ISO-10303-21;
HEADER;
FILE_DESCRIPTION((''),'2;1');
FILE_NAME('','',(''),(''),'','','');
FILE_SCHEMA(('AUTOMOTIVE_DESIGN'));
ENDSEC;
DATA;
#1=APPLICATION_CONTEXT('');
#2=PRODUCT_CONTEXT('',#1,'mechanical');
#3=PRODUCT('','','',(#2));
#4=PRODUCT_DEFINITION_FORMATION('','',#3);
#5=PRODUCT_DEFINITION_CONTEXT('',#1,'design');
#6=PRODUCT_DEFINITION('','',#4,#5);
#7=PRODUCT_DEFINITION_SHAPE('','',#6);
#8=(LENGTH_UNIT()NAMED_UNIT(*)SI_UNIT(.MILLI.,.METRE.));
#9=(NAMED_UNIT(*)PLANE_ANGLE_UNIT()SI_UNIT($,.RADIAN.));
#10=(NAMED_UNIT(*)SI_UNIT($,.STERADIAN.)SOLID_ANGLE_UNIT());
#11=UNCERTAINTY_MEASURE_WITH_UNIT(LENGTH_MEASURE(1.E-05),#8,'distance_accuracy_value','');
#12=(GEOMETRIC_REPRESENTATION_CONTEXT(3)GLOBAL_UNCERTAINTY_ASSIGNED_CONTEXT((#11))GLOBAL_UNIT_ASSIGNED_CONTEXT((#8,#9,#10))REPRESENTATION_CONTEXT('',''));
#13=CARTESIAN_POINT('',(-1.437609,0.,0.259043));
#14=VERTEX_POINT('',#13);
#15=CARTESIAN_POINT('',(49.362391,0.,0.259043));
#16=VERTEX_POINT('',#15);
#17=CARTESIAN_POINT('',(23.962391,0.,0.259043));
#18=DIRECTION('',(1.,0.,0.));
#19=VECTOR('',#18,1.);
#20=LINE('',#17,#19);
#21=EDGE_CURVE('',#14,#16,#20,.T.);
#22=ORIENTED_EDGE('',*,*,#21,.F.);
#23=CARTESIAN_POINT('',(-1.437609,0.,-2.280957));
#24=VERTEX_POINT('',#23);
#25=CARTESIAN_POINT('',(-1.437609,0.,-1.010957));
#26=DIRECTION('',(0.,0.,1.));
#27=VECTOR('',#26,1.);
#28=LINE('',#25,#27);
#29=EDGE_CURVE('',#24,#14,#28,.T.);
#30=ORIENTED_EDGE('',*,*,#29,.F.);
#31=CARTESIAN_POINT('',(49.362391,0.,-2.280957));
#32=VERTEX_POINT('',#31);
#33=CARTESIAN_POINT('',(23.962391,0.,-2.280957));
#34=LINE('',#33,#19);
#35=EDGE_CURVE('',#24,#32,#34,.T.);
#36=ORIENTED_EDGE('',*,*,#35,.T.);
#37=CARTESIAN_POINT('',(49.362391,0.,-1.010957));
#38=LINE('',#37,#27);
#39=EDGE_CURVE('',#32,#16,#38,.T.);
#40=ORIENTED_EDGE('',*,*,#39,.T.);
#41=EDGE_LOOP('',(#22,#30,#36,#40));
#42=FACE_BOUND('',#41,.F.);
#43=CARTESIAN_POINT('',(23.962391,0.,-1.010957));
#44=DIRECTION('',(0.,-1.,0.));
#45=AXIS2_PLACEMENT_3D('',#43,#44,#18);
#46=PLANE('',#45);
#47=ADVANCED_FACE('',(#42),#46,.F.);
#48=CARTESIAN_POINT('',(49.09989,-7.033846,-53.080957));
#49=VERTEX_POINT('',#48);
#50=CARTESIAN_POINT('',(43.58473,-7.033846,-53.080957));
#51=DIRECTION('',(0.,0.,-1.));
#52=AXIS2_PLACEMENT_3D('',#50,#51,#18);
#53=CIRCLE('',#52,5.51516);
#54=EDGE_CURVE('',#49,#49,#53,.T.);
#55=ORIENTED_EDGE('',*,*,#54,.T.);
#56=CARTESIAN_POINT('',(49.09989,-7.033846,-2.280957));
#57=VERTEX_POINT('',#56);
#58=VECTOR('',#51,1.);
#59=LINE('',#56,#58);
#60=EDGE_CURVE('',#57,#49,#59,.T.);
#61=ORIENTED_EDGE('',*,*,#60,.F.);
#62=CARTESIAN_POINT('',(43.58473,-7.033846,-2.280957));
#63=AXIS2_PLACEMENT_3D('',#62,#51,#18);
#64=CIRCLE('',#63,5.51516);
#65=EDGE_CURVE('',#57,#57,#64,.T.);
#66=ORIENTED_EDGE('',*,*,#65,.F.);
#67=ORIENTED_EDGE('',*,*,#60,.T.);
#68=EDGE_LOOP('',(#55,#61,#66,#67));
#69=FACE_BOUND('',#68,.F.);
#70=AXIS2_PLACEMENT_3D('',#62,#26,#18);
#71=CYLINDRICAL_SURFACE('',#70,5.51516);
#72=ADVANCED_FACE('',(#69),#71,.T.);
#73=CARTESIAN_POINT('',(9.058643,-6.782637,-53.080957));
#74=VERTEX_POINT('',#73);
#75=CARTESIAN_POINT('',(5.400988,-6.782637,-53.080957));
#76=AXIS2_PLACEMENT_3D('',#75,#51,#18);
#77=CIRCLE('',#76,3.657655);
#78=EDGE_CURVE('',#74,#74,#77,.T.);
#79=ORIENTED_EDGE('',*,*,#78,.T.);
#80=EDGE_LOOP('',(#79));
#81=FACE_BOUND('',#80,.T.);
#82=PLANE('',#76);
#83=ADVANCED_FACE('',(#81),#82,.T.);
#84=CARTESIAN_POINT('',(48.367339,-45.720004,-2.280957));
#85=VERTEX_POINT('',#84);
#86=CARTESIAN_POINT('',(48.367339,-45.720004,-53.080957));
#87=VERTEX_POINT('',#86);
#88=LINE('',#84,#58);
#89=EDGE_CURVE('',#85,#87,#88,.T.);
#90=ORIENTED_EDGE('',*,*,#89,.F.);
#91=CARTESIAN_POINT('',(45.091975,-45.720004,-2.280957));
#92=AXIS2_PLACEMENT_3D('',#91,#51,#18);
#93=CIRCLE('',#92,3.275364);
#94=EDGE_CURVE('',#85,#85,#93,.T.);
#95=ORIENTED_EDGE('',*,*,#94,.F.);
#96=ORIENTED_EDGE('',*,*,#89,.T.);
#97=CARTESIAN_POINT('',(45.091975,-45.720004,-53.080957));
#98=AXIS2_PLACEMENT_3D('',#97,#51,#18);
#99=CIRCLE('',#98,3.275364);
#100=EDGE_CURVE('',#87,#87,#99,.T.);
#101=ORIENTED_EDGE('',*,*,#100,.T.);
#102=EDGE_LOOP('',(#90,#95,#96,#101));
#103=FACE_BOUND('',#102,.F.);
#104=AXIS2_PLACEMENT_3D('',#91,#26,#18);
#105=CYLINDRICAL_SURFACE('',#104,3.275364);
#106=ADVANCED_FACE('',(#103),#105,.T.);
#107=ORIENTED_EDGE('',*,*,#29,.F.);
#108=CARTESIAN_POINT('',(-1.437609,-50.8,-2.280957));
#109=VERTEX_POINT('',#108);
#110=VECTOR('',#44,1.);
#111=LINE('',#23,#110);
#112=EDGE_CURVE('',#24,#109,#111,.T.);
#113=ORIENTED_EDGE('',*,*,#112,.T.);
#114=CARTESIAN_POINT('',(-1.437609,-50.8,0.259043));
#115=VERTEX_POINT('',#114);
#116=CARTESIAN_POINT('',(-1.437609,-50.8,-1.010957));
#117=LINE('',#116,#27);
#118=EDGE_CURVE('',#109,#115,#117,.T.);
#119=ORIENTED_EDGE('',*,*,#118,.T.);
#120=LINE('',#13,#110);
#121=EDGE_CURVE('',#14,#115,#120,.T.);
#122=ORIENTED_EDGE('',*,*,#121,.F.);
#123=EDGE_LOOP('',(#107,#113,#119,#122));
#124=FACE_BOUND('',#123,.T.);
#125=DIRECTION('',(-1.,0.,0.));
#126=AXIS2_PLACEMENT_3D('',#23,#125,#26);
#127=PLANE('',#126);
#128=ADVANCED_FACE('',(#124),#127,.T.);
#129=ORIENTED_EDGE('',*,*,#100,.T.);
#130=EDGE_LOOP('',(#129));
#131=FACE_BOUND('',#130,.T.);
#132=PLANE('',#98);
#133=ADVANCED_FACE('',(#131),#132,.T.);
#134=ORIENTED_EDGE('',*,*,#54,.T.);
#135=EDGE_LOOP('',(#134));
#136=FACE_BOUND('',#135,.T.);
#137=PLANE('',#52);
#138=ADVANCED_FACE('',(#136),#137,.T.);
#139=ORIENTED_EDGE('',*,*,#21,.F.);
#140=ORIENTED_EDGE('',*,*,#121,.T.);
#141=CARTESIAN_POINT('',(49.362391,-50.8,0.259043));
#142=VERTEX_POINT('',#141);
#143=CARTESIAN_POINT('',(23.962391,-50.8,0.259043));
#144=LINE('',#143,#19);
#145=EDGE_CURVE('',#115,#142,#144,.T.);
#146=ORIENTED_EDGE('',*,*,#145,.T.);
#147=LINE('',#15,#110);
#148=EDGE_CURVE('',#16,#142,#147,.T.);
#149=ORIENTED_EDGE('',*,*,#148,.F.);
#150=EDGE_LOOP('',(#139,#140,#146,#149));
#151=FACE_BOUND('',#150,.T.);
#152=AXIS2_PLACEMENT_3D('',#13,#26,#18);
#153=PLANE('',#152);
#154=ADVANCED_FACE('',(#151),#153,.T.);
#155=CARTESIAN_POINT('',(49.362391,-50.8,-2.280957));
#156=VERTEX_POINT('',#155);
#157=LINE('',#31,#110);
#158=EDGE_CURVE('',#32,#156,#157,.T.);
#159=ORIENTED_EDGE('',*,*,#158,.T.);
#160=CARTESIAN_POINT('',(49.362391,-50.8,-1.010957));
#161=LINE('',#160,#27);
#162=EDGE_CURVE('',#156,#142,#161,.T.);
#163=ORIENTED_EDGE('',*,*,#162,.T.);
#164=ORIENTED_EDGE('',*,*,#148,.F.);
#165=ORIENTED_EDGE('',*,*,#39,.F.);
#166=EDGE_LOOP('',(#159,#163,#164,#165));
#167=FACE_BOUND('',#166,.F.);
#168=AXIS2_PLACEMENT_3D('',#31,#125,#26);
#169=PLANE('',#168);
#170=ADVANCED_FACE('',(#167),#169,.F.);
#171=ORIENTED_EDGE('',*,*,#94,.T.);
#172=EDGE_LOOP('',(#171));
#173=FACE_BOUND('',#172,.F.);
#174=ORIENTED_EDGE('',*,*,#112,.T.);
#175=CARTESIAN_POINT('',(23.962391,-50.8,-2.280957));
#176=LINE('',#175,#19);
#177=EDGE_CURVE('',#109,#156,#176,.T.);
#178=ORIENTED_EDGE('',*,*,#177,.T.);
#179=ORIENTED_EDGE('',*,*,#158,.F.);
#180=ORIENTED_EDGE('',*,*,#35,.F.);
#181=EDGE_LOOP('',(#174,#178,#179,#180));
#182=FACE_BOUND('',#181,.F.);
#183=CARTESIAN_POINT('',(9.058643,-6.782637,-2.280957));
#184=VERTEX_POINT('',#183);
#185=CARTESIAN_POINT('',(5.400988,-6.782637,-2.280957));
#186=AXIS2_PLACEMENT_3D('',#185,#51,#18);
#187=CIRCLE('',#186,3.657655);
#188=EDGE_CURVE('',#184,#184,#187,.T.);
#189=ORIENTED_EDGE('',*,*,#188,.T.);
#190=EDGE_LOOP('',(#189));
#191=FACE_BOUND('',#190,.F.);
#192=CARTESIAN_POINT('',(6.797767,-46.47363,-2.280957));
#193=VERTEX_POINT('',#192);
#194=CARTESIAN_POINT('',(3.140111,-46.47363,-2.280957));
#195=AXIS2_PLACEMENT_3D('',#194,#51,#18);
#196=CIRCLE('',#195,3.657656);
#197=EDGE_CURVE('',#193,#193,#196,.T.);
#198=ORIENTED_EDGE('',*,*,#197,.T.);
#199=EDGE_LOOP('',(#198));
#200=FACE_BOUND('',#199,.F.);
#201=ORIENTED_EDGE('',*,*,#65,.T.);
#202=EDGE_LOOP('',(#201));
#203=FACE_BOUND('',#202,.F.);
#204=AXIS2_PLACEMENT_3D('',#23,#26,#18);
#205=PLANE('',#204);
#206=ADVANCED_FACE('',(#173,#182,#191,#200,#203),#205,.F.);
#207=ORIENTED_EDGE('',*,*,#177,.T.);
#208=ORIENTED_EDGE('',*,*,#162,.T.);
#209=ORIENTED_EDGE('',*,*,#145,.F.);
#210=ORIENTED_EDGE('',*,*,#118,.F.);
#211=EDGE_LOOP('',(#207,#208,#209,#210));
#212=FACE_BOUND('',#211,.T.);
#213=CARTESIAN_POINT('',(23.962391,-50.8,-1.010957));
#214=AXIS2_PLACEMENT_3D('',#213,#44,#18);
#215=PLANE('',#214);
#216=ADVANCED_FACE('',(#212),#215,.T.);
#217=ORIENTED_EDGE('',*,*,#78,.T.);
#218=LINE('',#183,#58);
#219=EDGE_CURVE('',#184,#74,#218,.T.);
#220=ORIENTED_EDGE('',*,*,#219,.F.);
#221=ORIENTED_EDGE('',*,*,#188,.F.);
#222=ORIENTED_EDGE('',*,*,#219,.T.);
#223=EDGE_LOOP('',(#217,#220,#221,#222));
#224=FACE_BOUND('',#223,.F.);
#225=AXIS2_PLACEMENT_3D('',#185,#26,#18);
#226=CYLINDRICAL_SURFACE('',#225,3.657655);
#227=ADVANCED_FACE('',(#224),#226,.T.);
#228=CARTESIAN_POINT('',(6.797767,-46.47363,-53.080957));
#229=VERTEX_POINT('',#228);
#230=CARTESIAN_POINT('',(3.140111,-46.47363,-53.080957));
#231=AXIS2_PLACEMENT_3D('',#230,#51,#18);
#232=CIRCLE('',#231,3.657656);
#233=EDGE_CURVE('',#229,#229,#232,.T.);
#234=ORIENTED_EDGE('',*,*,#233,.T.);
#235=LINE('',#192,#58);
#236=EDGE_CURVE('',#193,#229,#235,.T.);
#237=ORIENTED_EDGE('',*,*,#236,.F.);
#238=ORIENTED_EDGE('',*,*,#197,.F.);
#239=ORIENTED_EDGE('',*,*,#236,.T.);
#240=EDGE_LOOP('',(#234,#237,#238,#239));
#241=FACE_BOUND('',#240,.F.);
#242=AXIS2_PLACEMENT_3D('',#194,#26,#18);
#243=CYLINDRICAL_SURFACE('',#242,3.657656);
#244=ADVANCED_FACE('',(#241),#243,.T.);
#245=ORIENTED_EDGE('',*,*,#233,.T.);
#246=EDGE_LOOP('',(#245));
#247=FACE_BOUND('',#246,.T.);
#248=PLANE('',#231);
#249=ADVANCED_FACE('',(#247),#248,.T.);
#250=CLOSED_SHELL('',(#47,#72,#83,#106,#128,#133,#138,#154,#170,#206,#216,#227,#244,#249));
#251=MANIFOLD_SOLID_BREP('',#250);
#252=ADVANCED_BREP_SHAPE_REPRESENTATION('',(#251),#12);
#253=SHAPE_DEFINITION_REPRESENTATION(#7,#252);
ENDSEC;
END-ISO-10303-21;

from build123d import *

# Parameters (mm, degrees)
F0_W     = 50.8
F0_H     = 2.54
F1_DEPTH = 50.8
F2_R     = 3.657656
F2_R_2   = 3.275364
F2_R_3   = 3.657655
F2_R_4   = 5.51516
F3_DEPTH = 50.8


with BuildPart() as f1:
    # F0 (on Front) → F1 (new body)
    with BuildSketch(Plane.XZ):
        with Locations((23.962391, -1.010957)):
            Rectangle(F0_W, F0_H)
    extrude(amount=F1_DEPTH)

    # F2 (on face) → F3 (join)
    with BuildSketch(Plane(origin=(0, 0, -2.280957), x_dir=(1, 0, 0), z_dir=(0, 0, -1))):
        with Locations((3.140111, 46.47363)):
            Circle(F2_R)
        with Locations((45.091975, 45.720004)):
            Circle(F2_R_2)
        with Locations((5.400988, 6.782637)):
            Circle(F2_R_3)
        with Locations((43.58473, 7.033846)):
            Circle(F2_R_4)
    extrude(amount=F3_DEPTH)


solid = f1.part
